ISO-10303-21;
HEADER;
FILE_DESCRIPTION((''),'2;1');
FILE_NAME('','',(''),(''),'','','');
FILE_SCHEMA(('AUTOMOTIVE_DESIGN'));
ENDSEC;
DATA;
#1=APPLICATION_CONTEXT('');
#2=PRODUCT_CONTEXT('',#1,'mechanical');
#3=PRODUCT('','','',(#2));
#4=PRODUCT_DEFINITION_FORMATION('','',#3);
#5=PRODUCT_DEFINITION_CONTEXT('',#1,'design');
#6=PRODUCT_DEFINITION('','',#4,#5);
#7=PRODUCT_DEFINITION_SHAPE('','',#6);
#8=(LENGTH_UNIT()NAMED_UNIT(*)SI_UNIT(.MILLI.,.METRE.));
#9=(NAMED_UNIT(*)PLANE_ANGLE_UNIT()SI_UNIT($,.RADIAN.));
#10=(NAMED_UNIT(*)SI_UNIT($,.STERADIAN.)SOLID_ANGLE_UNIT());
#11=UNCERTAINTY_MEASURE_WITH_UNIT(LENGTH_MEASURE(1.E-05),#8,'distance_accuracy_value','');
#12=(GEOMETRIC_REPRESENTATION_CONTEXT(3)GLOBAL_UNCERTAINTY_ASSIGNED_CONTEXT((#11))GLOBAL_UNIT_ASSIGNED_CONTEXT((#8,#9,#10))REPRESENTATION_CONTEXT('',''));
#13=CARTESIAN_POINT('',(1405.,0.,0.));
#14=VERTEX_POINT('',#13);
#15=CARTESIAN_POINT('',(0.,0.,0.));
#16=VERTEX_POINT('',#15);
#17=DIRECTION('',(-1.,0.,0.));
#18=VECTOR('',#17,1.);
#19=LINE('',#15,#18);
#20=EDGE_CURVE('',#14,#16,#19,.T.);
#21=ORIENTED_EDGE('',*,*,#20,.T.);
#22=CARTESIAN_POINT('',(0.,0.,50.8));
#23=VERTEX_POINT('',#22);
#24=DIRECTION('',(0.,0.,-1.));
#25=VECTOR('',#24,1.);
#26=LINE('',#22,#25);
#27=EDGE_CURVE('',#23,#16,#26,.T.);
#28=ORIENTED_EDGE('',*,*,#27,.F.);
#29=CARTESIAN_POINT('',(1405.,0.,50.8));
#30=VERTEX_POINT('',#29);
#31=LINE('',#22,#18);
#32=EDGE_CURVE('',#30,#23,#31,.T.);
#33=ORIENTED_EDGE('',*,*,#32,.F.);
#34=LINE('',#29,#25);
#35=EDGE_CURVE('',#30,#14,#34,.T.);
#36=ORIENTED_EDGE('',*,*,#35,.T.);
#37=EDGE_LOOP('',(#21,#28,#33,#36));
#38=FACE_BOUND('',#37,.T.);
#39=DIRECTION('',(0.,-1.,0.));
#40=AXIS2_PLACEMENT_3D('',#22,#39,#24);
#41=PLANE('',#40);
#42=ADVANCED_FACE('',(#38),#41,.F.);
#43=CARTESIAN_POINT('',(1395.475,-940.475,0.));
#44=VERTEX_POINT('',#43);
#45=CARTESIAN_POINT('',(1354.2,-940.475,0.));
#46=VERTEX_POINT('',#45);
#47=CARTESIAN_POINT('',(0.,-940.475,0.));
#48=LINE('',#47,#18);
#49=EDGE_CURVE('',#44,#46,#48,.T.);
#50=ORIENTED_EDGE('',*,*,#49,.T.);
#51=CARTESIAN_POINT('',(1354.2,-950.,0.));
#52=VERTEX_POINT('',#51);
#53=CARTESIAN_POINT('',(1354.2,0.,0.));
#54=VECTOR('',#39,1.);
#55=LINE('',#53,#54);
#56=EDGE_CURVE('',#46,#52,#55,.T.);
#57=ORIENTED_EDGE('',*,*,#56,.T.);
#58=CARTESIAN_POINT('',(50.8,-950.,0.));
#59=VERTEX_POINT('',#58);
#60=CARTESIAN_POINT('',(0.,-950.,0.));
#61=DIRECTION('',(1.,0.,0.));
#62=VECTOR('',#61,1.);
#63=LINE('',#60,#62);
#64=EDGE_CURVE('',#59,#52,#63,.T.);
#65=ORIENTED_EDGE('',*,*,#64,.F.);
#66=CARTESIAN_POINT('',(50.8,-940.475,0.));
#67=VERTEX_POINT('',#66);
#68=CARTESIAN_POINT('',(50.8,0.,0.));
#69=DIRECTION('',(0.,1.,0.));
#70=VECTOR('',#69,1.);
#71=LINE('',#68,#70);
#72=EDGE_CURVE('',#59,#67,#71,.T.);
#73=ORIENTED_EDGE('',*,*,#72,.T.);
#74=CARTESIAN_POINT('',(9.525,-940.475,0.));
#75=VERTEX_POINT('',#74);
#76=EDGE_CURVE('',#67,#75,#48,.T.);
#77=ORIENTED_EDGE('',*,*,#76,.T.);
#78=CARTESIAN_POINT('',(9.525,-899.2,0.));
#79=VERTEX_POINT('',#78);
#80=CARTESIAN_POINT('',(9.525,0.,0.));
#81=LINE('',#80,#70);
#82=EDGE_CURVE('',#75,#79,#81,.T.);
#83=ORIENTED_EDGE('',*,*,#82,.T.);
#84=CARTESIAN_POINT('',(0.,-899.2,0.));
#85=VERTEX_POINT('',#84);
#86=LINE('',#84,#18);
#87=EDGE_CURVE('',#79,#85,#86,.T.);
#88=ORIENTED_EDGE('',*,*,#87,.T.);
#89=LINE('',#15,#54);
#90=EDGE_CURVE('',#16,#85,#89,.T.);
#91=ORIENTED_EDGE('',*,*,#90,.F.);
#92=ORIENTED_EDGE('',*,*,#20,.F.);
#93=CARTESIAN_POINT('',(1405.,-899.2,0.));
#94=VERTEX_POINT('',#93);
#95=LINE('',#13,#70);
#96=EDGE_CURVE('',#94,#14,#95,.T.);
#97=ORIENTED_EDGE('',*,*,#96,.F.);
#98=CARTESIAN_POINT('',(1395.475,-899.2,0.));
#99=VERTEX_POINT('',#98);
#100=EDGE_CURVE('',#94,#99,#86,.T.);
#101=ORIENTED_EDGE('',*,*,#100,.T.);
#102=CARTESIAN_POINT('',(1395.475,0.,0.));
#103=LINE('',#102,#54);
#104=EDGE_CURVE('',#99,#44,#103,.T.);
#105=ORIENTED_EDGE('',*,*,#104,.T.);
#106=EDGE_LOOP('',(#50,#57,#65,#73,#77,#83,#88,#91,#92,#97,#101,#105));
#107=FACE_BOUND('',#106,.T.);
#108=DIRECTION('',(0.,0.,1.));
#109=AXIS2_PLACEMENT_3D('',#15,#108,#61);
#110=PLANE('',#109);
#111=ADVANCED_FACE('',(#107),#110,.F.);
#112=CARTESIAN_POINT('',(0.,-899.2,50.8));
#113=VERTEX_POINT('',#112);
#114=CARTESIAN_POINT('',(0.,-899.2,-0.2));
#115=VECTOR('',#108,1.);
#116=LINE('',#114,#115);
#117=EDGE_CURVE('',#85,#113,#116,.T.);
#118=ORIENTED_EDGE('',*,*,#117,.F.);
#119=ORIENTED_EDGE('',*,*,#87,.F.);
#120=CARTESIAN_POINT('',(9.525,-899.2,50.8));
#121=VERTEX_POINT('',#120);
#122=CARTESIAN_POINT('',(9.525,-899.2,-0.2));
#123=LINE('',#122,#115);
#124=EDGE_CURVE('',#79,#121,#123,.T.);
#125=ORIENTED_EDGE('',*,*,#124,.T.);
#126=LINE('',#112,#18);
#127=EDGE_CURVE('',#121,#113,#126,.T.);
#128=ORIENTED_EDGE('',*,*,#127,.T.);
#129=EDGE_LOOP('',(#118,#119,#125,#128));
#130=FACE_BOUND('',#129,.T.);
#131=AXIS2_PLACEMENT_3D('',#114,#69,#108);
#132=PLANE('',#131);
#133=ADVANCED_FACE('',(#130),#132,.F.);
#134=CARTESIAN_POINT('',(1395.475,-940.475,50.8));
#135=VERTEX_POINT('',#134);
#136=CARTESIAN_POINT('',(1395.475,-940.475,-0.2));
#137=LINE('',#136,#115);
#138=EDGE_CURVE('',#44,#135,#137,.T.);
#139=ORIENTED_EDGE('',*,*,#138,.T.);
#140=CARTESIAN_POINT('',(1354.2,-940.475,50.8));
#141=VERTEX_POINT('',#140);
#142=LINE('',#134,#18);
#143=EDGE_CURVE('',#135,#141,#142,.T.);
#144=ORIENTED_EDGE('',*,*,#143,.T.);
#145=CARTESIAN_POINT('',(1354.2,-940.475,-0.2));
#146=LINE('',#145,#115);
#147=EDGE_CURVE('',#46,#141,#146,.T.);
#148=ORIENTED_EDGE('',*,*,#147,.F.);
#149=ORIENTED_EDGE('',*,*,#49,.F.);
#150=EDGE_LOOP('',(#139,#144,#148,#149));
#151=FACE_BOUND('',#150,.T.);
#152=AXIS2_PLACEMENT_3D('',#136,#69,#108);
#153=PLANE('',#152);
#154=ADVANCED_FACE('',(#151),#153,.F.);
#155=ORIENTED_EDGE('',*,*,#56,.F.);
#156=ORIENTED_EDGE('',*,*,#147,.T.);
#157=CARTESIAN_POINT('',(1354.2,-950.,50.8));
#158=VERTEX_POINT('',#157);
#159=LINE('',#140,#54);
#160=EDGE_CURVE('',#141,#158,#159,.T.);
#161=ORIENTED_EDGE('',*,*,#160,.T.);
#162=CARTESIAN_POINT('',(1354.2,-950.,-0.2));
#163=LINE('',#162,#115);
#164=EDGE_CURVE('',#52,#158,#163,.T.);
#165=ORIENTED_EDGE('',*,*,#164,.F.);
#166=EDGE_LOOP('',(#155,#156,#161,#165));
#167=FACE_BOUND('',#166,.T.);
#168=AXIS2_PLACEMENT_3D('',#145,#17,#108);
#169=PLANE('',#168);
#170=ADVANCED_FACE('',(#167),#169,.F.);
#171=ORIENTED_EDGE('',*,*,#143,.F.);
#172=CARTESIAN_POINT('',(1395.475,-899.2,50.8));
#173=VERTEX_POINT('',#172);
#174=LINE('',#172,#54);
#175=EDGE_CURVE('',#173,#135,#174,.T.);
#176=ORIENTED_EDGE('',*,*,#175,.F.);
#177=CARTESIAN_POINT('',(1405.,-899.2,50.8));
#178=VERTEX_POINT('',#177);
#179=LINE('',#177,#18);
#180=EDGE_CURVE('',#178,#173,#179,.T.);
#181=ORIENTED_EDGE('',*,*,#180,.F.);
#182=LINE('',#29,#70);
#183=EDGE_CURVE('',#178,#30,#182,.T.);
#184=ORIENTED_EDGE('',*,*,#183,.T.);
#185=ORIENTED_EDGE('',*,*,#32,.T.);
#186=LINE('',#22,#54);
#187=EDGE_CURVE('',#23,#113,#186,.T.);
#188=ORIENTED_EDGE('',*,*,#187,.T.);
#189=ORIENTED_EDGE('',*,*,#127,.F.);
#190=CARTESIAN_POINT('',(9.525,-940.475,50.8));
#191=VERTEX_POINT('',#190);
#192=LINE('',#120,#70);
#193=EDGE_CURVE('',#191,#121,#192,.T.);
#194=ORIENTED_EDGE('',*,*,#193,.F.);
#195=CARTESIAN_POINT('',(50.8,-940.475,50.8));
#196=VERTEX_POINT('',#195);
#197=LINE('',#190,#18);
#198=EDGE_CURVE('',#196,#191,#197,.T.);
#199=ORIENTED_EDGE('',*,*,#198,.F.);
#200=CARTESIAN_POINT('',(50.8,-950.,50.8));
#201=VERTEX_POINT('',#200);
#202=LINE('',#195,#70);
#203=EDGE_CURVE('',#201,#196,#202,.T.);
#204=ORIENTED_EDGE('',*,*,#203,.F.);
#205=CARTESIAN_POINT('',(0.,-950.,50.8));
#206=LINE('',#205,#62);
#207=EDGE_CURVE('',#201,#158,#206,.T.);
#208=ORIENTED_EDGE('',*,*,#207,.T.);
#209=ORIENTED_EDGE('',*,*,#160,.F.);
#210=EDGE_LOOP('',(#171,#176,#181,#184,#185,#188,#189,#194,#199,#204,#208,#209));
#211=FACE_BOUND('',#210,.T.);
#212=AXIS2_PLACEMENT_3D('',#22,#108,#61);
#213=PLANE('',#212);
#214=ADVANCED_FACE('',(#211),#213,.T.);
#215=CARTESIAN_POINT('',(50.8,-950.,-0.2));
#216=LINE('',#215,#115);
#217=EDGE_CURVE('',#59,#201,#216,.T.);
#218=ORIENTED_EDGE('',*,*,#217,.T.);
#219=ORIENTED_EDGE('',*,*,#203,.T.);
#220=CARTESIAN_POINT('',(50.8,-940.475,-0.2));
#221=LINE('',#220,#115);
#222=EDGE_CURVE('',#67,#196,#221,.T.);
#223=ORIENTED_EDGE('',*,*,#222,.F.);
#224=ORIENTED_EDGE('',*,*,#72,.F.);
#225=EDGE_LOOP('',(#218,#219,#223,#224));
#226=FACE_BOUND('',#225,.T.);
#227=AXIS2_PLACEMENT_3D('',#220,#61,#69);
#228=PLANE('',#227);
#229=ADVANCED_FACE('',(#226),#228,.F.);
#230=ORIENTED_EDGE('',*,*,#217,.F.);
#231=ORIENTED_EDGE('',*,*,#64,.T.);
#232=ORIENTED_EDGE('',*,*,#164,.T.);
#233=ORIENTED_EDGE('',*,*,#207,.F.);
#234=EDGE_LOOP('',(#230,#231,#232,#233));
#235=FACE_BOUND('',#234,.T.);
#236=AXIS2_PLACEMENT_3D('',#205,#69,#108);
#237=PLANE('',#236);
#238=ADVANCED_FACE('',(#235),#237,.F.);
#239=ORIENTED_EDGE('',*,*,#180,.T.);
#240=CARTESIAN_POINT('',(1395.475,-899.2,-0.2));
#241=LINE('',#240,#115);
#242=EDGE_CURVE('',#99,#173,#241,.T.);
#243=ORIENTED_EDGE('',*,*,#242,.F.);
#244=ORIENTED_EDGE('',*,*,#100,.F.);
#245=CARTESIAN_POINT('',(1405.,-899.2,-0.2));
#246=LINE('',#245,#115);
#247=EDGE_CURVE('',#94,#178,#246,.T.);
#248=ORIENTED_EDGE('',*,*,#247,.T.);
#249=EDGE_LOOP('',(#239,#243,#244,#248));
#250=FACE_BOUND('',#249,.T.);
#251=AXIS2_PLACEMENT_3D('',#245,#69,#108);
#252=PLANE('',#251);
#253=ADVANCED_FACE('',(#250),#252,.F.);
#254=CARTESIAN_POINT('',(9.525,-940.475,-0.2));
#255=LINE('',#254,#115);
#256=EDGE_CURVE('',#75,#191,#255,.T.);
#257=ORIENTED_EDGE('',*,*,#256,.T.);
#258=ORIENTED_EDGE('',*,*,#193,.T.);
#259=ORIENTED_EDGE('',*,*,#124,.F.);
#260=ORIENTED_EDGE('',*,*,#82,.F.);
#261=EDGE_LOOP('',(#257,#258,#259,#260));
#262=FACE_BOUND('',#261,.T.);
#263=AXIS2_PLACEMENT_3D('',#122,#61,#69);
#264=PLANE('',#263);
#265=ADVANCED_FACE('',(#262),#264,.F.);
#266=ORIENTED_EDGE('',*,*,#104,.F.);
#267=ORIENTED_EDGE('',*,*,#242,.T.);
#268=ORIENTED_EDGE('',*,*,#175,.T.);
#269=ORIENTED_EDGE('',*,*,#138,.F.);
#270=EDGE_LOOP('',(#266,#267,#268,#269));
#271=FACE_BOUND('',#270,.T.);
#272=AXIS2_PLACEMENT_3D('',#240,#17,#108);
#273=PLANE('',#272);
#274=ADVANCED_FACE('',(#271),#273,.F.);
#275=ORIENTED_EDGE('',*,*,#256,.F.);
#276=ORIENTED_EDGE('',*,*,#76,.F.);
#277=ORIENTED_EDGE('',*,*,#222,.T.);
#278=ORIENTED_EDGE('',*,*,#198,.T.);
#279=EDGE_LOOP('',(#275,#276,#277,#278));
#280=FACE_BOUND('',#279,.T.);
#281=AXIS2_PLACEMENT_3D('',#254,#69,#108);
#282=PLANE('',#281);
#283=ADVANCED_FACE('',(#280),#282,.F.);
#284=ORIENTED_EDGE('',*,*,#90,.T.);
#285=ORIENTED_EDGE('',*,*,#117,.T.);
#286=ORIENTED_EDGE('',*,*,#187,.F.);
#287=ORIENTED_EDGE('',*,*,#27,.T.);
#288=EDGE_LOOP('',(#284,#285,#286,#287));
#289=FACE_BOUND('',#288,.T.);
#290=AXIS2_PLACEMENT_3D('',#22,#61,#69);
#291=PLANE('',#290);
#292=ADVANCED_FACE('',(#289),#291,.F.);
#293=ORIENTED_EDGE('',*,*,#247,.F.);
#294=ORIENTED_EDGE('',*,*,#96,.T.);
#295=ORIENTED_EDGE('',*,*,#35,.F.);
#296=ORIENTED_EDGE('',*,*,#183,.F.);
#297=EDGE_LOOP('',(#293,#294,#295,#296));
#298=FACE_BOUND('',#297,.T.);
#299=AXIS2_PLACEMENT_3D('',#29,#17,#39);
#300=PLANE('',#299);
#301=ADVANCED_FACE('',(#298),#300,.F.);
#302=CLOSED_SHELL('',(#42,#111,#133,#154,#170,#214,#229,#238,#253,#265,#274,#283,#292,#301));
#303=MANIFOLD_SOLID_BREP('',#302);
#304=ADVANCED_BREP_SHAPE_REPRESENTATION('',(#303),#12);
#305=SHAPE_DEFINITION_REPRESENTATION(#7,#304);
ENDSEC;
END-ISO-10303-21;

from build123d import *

# Parameters (mm, degrees)
CROQUIS1_W              = 1405
CROQUIS1_H              = 950
SALIENTE_EXTRUIR1_DEPTH = 50.8
CORTAR_EXTRUIR1_DEPTH   = 51


with BuildPart() as part:
    # Croquis1 → Saliente-Extruir1 (new body)
    with BuildSketch(Plane.XY):
        with Locations((702.5, -475)):
            Rectangle(CROQUIS1_W, CROQUIS1_H)
    extrude(amount=SALIENTE_EXTRUIR1_DEPTH)

    # Croquis2 → Cortar-Extruir1 (cut)
    with BuildSketch(Plane.XY.offset(50.8)):
        Polygon((0, -899.2), (9.525, -899.2), (9.525, -940.475), (50.8, -940.475), (50.8, -950), (0, -950), align=None)
        Polygon((1405, -950), (1405, -899.2), (1395.475, -899.2), (1395.475, -940.475), (1354.2, -940.475), (1354.2, -950), align=None)
    extrude(amount=-CORTAR_EXTRUIR1_DEPTH, mode=Mode.SUBTRACT)


solid = part.part
